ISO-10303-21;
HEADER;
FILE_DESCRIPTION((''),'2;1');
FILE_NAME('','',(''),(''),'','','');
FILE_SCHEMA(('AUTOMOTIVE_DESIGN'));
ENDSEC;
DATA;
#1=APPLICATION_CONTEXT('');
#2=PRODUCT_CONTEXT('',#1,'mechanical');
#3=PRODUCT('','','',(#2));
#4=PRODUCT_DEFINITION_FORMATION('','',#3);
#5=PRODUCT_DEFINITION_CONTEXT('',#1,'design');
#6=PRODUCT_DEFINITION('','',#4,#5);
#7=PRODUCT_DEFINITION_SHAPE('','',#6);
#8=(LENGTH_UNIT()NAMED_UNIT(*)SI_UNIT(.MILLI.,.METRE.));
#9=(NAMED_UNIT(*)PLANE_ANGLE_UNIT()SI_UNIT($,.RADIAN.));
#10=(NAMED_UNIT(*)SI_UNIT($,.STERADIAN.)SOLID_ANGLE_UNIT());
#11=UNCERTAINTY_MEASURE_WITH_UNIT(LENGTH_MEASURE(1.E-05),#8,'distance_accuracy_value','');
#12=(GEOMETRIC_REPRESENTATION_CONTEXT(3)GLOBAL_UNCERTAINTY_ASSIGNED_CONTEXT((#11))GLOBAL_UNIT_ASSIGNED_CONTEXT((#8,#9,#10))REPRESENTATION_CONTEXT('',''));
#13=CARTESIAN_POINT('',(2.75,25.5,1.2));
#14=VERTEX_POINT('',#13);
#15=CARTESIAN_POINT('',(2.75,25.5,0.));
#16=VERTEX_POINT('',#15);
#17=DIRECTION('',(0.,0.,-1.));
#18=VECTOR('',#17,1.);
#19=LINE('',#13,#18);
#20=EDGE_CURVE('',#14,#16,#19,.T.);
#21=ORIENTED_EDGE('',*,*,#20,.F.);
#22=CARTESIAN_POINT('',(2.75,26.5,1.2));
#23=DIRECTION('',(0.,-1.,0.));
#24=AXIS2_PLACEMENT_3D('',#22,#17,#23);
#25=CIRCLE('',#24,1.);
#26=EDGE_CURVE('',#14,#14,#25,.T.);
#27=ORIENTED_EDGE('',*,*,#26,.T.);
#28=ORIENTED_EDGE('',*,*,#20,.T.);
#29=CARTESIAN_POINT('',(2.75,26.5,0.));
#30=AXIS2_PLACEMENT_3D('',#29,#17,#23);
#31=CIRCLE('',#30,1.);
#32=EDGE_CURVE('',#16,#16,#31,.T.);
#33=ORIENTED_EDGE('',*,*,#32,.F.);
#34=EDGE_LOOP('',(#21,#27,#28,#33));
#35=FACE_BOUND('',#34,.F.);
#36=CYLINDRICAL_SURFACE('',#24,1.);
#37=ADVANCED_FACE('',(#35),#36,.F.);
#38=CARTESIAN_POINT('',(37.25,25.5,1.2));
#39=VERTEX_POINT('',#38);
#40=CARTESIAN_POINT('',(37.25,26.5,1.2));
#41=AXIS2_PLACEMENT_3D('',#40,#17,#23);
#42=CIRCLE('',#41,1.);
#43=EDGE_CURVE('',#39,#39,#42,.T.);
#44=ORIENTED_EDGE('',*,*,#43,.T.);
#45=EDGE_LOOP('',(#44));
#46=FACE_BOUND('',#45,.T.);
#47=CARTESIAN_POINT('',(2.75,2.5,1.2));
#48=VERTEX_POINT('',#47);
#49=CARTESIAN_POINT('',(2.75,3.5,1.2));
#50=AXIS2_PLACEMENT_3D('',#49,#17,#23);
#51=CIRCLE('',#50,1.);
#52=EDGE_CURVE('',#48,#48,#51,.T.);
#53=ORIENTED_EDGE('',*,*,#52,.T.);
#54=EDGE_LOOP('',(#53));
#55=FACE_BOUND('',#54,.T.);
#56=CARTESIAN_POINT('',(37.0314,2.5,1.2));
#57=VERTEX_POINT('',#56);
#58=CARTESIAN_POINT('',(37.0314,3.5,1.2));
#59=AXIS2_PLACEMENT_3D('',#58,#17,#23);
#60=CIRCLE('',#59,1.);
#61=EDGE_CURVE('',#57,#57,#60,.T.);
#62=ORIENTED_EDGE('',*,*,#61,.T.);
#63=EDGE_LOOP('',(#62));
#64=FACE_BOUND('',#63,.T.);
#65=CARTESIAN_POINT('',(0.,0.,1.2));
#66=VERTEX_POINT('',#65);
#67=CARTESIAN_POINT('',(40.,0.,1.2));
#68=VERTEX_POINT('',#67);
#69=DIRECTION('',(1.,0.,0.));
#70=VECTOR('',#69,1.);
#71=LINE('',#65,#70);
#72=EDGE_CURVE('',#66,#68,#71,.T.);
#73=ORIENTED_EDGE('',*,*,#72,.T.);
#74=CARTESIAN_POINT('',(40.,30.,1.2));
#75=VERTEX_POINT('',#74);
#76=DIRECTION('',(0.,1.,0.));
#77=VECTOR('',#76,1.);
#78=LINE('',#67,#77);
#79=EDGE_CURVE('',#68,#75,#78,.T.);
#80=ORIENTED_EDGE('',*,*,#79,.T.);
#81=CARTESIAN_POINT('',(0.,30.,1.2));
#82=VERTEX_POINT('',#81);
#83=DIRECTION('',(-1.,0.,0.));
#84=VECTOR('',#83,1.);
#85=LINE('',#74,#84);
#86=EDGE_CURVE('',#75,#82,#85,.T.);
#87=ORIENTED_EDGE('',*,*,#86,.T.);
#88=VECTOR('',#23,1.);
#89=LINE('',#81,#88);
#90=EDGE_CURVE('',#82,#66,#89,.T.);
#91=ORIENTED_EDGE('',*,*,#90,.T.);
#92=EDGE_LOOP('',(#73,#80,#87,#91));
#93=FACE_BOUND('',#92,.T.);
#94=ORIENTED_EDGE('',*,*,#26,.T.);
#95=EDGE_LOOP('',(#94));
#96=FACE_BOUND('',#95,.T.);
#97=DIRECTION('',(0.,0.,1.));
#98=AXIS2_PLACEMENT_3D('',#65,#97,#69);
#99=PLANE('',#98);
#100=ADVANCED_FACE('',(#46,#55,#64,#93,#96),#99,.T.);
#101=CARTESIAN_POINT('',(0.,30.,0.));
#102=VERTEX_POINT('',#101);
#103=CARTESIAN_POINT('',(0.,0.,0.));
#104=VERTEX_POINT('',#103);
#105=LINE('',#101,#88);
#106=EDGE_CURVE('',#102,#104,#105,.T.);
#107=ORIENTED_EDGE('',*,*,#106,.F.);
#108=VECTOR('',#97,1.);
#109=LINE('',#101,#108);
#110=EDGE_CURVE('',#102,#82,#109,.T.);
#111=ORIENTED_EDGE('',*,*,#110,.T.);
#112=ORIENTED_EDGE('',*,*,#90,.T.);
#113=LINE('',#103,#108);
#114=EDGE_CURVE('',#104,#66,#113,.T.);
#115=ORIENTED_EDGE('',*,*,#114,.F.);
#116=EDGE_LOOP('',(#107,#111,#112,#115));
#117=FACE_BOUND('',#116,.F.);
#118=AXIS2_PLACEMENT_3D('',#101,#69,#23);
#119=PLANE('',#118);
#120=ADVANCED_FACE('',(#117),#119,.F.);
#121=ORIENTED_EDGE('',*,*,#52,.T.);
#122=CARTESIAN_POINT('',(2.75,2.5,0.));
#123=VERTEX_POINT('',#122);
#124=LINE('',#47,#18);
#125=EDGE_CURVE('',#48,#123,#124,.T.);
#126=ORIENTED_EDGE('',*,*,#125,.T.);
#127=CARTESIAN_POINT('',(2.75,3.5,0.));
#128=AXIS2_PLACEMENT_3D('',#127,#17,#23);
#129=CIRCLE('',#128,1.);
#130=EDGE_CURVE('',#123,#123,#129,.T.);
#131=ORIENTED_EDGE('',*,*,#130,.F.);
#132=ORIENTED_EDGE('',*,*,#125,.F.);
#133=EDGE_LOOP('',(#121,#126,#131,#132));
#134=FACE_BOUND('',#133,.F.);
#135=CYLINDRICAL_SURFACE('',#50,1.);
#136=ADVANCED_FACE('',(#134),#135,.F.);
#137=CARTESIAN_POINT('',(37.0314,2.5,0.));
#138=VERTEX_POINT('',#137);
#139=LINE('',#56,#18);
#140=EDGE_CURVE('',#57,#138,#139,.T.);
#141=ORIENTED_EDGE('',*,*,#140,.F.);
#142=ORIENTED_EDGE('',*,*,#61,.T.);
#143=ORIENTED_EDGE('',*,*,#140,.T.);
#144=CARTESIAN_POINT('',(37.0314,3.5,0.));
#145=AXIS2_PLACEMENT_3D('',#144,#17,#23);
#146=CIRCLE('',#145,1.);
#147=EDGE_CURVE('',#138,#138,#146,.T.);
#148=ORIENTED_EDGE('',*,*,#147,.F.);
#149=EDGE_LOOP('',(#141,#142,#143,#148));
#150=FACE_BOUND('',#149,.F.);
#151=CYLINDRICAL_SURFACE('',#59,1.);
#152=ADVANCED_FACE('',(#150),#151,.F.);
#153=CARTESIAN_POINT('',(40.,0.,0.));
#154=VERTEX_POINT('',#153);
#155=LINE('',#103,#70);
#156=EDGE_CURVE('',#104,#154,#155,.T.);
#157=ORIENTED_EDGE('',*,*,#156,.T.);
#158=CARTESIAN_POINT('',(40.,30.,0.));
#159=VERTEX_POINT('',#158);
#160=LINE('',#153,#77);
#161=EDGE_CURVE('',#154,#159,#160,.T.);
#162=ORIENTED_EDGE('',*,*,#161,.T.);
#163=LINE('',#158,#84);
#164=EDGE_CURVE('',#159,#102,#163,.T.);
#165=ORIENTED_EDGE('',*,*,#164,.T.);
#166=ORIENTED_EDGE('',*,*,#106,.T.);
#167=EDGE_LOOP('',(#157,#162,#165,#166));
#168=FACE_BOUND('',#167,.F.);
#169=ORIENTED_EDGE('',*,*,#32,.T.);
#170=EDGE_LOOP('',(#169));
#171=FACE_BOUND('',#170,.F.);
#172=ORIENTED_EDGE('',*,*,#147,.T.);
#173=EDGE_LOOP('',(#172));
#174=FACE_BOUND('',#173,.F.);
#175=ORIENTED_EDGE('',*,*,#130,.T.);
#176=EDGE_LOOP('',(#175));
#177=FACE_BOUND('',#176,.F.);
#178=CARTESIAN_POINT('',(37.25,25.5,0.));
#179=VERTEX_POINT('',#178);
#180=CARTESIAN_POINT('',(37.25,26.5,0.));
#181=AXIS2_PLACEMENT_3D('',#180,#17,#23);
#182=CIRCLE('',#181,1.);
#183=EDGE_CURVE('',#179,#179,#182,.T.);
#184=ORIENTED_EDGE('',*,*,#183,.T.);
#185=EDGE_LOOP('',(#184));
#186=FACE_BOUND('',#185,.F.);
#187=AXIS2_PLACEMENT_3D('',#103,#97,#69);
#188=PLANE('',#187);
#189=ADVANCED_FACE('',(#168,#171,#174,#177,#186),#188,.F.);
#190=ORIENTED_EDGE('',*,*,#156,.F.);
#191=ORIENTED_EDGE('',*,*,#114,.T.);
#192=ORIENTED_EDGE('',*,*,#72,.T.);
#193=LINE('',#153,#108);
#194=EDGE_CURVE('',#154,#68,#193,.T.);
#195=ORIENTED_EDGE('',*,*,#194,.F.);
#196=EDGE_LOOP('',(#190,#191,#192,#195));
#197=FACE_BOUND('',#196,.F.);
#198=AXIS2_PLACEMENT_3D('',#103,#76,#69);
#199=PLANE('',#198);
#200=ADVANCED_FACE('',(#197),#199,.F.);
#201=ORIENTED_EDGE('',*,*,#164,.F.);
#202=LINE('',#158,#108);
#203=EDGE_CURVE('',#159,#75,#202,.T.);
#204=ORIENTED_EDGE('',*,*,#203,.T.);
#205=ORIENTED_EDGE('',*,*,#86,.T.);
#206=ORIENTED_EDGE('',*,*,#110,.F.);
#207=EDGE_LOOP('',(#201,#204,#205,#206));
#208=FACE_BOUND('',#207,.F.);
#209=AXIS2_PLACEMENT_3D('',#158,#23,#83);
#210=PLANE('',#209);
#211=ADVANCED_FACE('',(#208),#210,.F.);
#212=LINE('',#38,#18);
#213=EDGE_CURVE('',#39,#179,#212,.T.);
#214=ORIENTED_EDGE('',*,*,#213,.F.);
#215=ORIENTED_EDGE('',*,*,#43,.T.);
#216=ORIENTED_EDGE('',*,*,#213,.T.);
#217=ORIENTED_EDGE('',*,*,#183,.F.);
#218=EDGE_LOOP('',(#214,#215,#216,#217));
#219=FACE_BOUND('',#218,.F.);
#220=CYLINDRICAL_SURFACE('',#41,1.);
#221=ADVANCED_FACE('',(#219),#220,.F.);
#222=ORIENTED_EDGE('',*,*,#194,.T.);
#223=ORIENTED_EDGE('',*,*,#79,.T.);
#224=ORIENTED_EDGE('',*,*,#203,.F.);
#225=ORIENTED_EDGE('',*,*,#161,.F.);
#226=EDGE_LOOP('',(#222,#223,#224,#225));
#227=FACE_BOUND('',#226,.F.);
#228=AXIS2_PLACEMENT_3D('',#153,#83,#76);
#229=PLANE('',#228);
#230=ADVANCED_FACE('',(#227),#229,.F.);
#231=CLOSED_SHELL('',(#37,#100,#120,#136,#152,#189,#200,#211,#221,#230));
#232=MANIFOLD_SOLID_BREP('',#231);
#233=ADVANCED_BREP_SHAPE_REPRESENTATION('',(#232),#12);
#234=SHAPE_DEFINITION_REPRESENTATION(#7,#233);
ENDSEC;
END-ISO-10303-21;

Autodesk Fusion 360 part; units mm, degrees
sketch "Sketch1" plane through (0, 0, 0) normal (0, 0, 1) x (1, 0, 0)
  line L0 (0, 0) -> (40, 0)
  line L1 (40, 0) -> (40, 30)
  line L2 (40, 30) -> (0, 30)
  line L3 (0, 30) -> (0, 0)
  dimension "d1" = 40
  dimension "d2" = 30
extrude "Extrude1" add sketch "Sketch1" along normal blind 1.2
sketch "Sketch2" plane through (0, 0, 1.2) normal (0, 0, 1) x (-1, 0, 0)
  line L0 (0, -30) -> (0, 0)
  line L1 (0, 0) -> (-40, 0)
  line L2 (-40, 0) -> (-40, -30)
  line L3 (-40, -30) -> (0, -30)
sketch "Sketch3" plane through (0, 0, 1.2) normal (0, 0, 1) x (-1, 0, 0)
sketch "Sketch4" plane through (0, 0, 1.2) normal (0, 0, 1) x (-1, 0, 0)
  line L0 (-40, 0) -> (-40, -30)
  line L1 (-40, -30) -> (0, -30)
  circle A0 centre (-2.75, -26.5) radius 1
  circle A1 centre (-2.75, -3.5) radius 1
  circle A2 centre (-37.25, -26.5) radius 1
  circle A3 centre (-37.0314, -3.5) radius 1
  point P0 (-20, -30)
  point P1 (-40, -15)
  point P2 (-37.25, -26.5)
  point P3 (-37.0314, -3.5)
  point P4 (-2.75, -26.5)
  point P5 (-2.75, -3.5)
  dimension "d8" = 11.5
  dimension "d9" = 17.25
  dimension "d10" = 23
  dimension "d11" = 34.5
  dimension "d12" = 2
  dimension "d13" = 2
  dimension "d14" = 2
  dimension "d15" = 2
hole "Hole1" at (2.75, 3.5, 1.2) at (37.0314, 3.5, 1.2) at (37.25, 26.5, 1.2) at (2.75, 26.5, 1.2) direction (0, 0, -1) diameter 2 depth 1.5 tip angle 180
